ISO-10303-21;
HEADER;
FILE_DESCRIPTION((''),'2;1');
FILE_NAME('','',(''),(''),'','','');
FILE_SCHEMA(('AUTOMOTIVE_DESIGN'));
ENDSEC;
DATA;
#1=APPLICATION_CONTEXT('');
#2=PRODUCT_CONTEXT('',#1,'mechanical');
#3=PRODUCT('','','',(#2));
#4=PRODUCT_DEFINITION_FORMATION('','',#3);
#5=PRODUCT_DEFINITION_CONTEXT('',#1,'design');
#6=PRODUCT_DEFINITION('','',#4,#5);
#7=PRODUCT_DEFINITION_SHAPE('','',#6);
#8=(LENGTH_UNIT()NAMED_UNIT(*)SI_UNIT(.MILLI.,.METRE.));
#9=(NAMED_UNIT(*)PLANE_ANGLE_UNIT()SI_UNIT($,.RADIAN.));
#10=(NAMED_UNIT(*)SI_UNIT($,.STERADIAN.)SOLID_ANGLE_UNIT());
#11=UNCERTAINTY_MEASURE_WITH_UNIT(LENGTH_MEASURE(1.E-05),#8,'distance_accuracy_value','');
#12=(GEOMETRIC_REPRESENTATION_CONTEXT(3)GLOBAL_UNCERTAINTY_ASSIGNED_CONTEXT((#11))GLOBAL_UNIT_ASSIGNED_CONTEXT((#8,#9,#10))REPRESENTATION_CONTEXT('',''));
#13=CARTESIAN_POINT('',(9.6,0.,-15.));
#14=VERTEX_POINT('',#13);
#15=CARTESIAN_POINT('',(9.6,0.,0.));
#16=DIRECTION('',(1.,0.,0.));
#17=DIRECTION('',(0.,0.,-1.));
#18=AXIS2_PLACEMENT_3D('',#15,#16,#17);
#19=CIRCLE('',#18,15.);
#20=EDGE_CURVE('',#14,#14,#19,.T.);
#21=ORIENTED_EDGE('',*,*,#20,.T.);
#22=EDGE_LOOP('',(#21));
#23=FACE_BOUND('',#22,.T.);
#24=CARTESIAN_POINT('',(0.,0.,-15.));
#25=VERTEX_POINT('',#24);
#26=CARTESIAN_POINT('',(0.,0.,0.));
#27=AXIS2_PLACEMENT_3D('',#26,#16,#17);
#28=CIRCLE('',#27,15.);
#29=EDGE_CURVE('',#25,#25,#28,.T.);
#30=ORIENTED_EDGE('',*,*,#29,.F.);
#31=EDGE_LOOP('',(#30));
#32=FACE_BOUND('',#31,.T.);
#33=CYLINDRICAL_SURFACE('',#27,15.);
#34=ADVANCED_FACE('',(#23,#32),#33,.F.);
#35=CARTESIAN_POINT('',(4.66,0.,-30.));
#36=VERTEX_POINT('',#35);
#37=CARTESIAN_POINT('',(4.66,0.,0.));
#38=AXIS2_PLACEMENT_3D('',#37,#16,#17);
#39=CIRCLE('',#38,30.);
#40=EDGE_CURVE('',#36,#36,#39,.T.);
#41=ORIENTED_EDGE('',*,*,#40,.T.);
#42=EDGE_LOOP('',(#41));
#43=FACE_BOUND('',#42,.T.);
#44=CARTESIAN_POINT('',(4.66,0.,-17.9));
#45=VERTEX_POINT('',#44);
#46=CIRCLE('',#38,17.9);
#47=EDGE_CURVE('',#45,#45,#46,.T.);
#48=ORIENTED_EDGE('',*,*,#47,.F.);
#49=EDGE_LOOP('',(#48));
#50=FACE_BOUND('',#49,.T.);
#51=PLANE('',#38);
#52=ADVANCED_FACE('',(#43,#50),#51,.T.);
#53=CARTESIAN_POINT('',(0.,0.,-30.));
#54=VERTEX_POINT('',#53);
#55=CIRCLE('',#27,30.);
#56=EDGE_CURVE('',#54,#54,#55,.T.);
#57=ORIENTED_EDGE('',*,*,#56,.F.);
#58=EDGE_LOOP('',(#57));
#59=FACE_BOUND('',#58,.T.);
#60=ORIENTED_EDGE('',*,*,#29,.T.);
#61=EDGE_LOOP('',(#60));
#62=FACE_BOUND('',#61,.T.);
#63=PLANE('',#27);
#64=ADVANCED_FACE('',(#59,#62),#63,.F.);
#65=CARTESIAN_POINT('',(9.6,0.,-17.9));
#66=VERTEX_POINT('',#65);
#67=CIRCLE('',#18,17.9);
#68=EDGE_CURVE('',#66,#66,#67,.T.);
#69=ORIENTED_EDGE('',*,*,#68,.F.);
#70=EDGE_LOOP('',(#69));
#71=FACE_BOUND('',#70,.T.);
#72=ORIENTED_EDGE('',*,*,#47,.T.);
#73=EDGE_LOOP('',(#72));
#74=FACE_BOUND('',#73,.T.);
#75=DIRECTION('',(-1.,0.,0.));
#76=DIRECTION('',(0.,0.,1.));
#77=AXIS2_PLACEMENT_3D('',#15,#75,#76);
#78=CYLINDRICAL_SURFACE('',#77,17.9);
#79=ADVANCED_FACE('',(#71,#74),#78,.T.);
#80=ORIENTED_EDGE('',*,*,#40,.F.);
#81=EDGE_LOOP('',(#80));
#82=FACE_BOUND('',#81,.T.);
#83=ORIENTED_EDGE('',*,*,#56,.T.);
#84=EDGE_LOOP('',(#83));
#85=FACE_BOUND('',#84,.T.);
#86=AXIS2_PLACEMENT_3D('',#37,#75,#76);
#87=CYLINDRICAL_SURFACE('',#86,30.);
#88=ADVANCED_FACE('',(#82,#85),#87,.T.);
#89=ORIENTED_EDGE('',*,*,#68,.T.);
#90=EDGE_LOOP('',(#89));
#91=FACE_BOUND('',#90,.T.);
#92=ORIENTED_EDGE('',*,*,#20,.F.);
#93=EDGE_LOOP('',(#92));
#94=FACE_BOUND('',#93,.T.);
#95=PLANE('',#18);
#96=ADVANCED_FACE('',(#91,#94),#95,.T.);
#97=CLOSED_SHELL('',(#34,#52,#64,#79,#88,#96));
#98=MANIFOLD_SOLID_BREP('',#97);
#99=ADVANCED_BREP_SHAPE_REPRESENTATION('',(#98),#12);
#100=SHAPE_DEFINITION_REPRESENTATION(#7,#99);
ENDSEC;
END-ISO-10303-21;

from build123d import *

# Parameters (mm, degrees)
SKETCH_1_R          = 30
EXTRUDE_1_DEPTH     = 4.66
SKETCH_2_R          = 17.9
EXTRUDE_2_DEPTH     = 4.94
SKETCH_3_R          = 15
CUT_EXTRUDE_1_DEPTH = 10.6


with BuildPart() as part:
    # 草图1 → 凸台-拉伸1 (new body)
    with BuildSketch(Plane(origin=(0, 0, 0), x_dir=(0, 0, -1), z_dir=(1, 0, 0))):
        Circle(SKETCH_1_R)
    extrude(amount=EXTRUDE_1_DEPTH)

    # 草图2 → 凸台-拉伸2 (add)
    with BuildSketch(Plane(origin=(4.66, 0, 0), x_dir=(0, 0, -1), z_dir=(1, 0, 0))):
        Circle(SKETCH_2_R)
    extrude(amount=EXTRUDE_2_DEPTH)

    # 草图3 → 切除-拉伸1 (cut, through all)
    with BuildSketch(Plane(origin=(9.6, 0, 0), x_dir=(0, 0, -1), z_dir=(1, 0, 0))):
        Circle(SKETCH_3_R)
    extrude(amount=-CUT_EXTRUDE_1_DEPTH, mode=Mode.SUBTRACT)


solid = part.part
